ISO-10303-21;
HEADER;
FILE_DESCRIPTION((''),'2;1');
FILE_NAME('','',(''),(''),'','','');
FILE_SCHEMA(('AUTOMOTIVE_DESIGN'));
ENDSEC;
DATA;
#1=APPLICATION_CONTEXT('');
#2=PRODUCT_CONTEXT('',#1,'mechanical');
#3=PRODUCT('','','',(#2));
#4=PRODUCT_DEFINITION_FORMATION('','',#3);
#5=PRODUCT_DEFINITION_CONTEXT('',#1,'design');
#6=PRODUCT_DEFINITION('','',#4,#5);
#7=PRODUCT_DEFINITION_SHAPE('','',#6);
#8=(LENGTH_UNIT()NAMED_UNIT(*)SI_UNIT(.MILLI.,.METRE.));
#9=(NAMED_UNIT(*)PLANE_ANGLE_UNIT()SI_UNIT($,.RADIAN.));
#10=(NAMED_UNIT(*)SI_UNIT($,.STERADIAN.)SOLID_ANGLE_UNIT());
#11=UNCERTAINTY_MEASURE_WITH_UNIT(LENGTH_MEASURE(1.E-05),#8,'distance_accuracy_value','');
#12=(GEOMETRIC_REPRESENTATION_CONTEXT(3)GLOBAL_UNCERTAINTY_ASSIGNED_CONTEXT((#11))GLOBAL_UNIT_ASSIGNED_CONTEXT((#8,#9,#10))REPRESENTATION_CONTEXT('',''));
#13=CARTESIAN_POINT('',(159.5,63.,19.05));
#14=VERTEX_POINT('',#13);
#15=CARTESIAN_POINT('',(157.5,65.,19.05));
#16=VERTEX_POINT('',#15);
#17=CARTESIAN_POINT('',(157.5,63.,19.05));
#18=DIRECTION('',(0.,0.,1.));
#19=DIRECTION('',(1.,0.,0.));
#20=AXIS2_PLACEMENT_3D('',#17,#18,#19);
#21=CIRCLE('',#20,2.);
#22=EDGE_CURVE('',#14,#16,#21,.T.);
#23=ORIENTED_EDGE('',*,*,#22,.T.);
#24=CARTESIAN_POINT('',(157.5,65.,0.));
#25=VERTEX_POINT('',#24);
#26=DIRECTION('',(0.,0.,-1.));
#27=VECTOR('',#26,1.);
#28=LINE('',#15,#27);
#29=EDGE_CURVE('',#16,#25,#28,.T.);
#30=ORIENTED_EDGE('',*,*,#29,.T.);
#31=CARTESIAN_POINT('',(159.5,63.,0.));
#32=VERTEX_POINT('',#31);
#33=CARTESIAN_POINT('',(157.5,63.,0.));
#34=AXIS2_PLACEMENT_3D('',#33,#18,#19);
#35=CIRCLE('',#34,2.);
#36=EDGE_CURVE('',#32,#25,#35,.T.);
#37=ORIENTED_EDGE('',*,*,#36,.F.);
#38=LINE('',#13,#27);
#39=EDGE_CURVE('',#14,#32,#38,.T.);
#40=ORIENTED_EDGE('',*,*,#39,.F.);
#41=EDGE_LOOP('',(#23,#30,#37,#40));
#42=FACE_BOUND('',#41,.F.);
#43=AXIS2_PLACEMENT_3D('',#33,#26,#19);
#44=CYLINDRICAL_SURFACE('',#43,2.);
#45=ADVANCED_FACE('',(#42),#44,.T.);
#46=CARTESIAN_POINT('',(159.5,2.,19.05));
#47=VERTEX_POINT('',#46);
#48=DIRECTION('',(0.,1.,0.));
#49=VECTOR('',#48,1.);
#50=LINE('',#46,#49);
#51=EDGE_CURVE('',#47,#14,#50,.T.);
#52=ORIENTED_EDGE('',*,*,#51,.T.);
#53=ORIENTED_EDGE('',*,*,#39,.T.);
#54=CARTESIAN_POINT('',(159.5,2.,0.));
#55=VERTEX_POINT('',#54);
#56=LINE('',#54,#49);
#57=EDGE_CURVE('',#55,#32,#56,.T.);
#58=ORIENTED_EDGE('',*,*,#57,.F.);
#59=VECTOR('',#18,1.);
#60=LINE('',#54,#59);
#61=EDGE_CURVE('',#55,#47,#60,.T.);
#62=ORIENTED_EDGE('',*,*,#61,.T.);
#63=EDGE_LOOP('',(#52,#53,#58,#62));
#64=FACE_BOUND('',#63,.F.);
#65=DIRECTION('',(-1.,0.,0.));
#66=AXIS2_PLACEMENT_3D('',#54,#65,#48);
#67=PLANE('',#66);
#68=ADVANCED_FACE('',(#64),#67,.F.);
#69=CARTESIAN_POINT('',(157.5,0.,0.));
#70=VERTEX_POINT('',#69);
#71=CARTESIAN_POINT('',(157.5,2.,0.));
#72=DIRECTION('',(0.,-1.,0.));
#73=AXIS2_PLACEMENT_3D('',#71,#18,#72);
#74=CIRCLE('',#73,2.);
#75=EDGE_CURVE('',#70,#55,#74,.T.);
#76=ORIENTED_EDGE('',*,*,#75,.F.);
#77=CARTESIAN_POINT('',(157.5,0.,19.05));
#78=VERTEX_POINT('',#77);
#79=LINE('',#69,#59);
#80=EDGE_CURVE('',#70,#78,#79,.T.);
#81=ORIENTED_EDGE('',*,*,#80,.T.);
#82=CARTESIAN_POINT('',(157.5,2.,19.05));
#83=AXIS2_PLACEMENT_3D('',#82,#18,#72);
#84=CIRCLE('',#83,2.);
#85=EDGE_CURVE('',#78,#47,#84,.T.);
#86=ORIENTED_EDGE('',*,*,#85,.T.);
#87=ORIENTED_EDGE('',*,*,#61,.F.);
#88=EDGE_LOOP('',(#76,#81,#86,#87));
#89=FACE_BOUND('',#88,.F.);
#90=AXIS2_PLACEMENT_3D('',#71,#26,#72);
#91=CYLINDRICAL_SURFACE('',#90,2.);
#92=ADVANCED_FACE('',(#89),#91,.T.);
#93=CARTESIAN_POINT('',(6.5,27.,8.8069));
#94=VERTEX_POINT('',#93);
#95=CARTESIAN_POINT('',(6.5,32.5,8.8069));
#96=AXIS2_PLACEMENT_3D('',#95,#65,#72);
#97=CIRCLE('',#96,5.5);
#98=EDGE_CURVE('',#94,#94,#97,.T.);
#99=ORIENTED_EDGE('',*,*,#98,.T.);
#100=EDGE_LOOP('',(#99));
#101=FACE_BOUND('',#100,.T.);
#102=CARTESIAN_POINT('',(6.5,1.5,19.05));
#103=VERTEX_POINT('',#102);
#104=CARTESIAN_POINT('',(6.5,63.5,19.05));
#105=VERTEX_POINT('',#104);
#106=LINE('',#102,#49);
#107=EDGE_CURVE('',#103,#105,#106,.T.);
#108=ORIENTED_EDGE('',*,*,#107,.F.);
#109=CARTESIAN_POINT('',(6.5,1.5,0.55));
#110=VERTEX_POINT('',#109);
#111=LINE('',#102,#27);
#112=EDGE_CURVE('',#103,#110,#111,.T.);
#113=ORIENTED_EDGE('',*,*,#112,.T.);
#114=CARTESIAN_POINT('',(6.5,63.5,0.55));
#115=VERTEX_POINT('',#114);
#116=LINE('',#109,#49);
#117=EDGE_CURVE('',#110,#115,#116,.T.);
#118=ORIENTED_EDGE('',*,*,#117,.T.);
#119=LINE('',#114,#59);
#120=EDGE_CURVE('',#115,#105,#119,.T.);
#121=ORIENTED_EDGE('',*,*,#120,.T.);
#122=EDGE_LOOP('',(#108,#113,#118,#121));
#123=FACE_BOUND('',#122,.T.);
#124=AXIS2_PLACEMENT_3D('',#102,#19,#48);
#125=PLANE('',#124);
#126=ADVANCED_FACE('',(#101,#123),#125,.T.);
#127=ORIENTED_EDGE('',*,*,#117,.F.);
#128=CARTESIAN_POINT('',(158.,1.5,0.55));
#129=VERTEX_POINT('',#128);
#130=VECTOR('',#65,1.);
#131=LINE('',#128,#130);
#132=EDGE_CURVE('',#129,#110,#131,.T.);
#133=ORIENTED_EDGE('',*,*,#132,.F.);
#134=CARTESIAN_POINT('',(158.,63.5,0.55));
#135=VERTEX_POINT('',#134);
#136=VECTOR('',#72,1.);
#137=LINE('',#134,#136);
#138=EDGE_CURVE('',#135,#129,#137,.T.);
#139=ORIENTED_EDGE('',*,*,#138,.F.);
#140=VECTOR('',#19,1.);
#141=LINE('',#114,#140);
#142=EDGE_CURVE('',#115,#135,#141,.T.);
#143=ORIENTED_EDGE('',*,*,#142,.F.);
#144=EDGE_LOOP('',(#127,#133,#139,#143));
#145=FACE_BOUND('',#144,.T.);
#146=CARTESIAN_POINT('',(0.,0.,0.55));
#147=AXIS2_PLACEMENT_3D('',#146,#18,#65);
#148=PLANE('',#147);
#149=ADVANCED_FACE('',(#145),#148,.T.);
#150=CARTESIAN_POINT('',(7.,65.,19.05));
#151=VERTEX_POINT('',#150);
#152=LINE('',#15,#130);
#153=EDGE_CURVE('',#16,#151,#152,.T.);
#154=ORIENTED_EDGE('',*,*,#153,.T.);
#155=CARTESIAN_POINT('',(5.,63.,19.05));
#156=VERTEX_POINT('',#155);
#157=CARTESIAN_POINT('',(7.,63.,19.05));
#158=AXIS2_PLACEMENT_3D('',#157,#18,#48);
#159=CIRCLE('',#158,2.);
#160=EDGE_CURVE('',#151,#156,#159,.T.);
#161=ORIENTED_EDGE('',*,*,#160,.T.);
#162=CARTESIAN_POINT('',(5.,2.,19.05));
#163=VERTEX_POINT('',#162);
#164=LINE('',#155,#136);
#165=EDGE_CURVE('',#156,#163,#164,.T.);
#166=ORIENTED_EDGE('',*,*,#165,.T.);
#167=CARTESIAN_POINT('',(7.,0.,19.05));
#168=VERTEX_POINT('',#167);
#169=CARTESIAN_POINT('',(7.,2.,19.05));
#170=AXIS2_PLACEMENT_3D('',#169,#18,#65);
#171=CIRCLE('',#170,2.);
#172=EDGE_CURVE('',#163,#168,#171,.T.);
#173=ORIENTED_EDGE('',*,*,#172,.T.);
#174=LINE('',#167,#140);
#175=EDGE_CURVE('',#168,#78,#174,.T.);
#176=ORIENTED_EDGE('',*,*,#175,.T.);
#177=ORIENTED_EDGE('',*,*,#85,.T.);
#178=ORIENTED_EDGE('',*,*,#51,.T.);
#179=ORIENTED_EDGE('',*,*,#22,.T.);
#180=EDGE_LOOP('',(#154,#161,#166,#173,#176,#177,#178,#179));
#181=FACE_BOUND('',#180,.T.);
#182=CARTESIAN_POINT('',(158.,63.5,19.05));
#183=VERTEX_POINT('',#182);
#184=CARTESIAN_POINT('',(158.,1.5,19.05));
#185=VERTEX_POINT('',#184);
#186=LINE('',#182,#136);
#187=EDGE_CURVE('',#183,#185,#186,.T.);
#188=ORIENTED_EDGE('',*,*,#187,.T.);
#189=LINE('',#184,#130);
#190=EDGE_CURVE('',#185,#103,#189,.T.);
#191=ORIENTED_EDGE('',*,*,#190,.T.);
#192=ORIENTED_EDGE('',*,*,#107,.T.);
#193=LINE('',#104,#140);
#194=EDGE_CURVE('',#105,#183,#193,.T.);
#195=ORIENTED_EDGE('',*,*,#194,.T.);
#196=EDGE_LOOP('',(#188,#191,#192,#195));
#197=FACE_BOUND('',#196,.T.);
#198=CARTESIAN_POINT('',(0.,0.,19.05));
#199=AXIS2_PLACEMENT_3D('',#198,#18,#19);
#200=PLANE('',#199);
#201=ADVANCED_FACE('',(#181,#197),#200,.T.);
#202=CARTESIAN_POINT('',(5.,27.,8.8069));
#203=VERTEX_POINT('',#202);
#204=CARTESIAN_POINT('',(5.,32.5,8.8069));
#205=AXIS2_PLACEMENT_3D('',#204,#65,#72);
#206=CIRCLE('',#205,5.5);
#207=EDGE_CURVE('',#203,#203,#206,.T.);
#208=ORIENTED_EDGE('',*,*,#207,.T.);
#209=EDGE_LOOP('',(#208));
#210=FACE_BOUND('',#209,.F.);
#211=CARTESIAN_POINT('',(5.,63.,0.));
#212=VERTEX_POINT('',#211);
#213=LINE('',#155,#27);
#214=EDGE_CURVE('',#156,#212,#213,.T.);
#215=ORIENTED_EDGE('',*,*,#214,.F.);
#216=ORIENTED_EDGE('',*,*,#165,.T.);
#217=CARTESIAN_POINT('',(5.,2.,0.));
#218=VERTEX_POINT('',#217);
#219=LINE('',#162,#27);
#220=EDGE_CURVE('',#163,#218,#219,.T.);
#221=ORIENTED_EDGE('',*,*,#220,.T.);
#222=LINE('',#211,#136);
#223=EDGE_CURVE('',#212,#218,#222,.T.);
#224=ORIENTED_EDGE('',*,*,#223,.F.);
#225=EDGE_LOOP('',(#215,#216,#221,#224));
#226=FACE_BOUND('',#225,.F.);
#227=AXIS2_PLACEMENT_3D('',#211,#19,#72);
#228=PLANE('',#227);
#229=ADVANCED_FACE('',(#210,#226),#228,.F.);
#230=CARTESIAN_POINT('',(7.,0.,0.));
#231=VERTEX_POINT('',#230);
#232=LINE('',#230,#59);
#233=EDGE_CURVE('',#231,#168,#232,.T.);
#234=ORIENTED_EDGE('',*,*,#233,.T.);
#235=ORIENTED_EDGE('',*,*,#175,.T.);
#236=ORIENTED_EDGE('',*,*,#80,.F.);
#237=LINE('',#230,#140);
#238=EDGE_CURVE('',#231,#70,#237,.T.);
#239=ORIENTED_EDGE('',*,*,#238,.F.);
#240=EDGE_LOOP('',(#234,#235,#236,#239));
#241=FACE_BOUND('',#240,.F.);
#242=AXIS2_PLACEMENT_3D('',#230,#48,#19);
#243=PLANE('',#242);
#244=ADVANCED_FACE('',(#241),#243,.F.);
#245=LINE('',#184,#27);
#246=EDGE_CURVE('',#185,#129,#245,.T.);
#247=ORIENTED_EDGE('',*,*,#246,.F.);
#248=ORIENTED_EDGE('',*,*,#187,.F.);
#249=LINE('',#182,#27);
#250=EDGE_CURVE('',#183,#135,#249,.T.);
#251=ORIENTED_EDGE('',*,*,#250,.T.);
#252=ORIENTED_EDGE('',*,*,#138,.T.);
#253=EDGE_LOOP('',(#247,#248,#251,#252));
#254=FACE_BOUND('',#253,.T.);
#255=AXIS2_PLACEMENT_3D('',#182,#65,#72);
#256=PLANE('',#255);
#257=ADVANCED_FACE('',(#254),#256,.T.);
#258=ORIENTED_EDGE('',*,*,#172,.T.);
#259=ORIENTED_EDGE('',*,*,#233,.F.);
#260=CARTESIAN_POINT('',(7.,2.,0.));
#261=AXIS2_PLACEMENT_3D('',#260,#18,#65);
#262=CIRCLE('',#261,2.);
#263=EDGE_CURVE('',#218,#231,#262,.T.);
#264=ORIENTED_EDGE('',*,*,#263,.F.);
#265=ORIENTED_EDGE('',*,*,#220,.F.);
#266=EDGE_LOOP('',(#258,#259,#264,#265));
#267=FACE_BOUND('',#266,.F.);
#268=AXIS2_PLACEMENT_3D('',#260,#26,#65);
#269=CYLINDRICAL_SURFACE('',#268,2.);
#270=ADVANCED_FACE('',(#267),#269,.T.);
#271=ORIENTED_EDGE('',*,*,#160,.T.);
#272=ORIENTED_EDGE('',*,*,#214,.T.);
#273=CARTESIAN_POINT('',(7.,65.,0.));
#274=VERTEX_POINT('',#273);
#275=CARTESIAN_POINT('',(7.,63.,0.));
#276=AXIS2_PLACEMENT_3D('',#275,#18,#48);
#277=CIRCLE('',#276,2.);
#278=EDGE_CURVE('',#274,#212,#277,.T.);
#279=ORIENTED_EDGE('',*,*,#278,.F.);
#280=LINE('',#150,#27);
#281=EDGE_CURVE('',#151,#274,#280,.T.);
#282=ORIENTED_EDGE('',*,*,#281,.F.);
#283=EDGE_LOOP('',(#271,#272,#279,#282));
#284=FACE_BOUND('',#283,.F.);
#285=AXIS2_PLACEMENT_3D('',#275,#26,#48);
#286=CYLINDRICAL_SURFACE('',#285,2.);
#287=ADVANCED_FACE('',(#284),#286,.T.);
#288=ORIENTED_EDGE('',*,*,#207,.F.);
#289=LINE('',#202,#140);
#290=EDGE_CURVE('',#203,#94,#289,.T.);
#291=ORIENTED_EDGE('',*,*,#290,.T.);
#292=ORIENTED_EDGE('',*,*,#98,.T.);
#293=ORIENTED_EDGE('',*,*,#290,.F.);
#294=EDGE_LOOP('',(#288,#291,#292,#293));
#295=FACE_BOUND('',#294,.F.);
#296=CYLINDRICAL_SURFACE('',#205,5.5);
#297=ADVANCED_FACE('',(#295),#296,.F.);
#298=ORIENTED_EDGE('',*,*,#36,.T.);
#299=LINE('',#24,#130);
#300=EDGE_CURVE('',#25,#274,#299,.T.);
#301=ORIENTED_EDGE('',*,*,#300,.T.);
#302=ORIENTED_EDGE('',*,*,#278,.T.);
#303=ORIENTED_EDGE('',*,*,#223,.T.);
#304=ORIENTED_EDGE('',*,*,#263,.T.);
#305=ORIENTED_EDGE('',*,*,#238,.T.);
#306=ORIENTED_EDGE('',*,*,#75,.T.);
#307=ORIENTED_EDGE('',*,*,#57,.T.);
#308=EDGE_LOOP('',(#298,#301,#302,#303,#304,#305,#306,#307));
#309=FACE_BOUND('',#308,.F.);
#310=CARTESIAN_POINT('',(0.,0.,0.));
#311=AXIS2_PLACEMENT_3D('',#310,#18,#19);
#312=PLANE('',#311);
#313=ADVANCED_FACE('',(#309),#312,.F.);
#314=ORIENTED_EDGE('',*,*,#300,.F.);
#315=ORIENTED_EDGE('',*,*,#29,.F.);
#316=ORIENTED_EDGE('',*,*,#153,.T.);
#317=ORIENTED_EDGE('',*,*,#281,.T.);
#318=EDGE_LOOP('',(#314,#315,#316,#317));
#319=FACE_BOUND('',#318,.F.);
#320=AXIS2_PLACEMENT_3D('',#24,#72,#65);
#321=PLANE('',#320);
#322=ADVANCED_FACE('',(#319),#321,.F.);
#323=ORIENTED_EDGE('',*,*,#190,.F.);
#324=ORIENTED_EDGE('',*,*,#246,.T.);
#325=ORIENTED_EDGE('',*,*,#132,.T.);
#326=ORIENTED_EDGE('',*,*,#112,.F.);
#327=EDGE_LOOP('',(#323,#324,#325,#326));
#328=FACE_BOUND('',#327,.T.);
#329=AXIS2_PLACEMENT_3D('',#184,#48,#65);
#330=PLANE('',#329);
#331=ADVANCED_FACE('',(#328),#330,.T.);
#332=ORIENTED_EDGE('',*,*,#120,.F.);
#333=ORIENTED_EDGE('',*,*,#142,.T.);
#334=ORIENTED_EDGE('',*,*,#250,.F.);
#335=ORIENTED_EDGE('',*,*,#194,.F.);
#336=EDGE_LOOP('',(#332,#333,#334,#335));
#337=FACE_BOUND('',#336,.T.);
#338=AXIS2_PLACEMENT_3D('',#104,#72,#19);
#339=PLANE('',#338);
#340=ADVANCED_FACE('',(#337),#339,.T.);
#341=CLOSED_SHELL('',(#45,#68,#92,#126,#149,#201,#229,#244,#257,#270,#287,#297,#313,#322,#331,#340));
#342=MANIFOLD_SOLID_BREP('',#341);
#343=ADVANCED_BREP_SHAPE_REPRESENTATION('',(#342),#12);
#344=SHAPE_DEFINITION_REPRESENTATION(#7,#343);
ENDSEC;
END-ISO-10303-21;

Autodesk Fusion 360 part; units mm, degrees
sketch "Sketch3" plane through (0, 0, 0) normal (0, 0, 1) x (1, 0, 0)
  line L0 (7, 0) -> (157.5, 0)
  line L1 (159.5, 2) -> (159.5, 63)
  line L2 (157.5, 65) -> (7, 65)
  line L3 (5, 63) -> (5, 2)
  arc A0 (7, 65) -> (5, 63) centre (7, 63) ccw
  arc A1 (159.5, 63) -> (157.5, 65) centre (157.5, 63) ccw
  arc A2 (157.5, 0) -> (159.5, 2) centre (157.5, 2) ccw
  arc A3 (5, 2) -> (7, 0) centre (7, 2) ccw
  dimension "d12" = 65
  dimension "d13" = 2
  dimension "d14" = 2
  dimension "d15" = 2
  dimension "d16" = 2
  dimension "d30" = 150.5
extrude "Extrude2" add sketch "Sketch3" along normal blind 12.7
extrude "Extrude3" add 1 faces at (107.3333, 21.6667, 12.7) along direction (0, 0, 1) blind 6.35
sketch "Sketch5" plane through (0, 0, 19.05) normal (0, 0, 1) x (-1, 0, 0)
  arc A0 (-5, -2) -> (-7, 0) centre (-7, -2) ccw
  line L0 (-7, 0) -> (-157.5, 0)
  arc A1 (-157.5, 0) -> (-159.5, -2) centre (-157.5, -2) ccw
  line L1 (-159.5, -2) -> (-159.5, -63)
  arc A2 (-159.5, -63) -> (-157.5, -65) centre (-157.5, -63) ccw
  line L2 (-157.5, -65) -> (-7, -65)
  arc A3 (-7, -65) -> (-5, -63) centre (-7, -63) ccw
  line L3 (-5, -63) -> (-5, -2)
  line L4 (-6.5, -63.5) -> (-158, -63.5)
  line L5 (-158, -63.5) -> (-158, -1.5)
  line L6 (-158, -1.5) -> (-6.5, -1.5)
  line L7 (-6.5, -1.5) -> (-6.5, -63.5)
  line L8 (-158, -1.5) -> (-158, -63.5)
  dimension "d26" = 1.5
  dimension "d27" = 1.5
  dimension "d28" = 1.5
  dimension "d29" = 1.5
extrude "Extrude4" cut sketch "Sketch5" against normal blind 10 contours L4 L5 L6 L7 L8
sketch "Sketch6" plane through (5, 0, 0) normal (-1, 0, 0) x (0, -1, 0)
  line L0 (-63, 0) -> (-2, 0)
  line L1 (-2, 0) -> (-2, 19.05)
  line L2 (-2, 19.05) -> (-63, 19.05)
  line L3 (-63, 19.05) -> (-63, 0)
  circle A0 centre (-32.5, 8.8069) radius 5.5
  dimension "d33" = 11
  dimension "d34" = 30.5
extrude "Extrude5" cut 1 faces at (57, 42.8333, 9.05) along direction (0, 0, -1) blind 5.35
extrude "Extrude6" cut 1 faces at (57, 42.8333, 3.7) along direction (0, 0, -1) blind 3.15
extrude "Extrude7" cut sketch "Sketch6" against normal blind 5 contours A0
